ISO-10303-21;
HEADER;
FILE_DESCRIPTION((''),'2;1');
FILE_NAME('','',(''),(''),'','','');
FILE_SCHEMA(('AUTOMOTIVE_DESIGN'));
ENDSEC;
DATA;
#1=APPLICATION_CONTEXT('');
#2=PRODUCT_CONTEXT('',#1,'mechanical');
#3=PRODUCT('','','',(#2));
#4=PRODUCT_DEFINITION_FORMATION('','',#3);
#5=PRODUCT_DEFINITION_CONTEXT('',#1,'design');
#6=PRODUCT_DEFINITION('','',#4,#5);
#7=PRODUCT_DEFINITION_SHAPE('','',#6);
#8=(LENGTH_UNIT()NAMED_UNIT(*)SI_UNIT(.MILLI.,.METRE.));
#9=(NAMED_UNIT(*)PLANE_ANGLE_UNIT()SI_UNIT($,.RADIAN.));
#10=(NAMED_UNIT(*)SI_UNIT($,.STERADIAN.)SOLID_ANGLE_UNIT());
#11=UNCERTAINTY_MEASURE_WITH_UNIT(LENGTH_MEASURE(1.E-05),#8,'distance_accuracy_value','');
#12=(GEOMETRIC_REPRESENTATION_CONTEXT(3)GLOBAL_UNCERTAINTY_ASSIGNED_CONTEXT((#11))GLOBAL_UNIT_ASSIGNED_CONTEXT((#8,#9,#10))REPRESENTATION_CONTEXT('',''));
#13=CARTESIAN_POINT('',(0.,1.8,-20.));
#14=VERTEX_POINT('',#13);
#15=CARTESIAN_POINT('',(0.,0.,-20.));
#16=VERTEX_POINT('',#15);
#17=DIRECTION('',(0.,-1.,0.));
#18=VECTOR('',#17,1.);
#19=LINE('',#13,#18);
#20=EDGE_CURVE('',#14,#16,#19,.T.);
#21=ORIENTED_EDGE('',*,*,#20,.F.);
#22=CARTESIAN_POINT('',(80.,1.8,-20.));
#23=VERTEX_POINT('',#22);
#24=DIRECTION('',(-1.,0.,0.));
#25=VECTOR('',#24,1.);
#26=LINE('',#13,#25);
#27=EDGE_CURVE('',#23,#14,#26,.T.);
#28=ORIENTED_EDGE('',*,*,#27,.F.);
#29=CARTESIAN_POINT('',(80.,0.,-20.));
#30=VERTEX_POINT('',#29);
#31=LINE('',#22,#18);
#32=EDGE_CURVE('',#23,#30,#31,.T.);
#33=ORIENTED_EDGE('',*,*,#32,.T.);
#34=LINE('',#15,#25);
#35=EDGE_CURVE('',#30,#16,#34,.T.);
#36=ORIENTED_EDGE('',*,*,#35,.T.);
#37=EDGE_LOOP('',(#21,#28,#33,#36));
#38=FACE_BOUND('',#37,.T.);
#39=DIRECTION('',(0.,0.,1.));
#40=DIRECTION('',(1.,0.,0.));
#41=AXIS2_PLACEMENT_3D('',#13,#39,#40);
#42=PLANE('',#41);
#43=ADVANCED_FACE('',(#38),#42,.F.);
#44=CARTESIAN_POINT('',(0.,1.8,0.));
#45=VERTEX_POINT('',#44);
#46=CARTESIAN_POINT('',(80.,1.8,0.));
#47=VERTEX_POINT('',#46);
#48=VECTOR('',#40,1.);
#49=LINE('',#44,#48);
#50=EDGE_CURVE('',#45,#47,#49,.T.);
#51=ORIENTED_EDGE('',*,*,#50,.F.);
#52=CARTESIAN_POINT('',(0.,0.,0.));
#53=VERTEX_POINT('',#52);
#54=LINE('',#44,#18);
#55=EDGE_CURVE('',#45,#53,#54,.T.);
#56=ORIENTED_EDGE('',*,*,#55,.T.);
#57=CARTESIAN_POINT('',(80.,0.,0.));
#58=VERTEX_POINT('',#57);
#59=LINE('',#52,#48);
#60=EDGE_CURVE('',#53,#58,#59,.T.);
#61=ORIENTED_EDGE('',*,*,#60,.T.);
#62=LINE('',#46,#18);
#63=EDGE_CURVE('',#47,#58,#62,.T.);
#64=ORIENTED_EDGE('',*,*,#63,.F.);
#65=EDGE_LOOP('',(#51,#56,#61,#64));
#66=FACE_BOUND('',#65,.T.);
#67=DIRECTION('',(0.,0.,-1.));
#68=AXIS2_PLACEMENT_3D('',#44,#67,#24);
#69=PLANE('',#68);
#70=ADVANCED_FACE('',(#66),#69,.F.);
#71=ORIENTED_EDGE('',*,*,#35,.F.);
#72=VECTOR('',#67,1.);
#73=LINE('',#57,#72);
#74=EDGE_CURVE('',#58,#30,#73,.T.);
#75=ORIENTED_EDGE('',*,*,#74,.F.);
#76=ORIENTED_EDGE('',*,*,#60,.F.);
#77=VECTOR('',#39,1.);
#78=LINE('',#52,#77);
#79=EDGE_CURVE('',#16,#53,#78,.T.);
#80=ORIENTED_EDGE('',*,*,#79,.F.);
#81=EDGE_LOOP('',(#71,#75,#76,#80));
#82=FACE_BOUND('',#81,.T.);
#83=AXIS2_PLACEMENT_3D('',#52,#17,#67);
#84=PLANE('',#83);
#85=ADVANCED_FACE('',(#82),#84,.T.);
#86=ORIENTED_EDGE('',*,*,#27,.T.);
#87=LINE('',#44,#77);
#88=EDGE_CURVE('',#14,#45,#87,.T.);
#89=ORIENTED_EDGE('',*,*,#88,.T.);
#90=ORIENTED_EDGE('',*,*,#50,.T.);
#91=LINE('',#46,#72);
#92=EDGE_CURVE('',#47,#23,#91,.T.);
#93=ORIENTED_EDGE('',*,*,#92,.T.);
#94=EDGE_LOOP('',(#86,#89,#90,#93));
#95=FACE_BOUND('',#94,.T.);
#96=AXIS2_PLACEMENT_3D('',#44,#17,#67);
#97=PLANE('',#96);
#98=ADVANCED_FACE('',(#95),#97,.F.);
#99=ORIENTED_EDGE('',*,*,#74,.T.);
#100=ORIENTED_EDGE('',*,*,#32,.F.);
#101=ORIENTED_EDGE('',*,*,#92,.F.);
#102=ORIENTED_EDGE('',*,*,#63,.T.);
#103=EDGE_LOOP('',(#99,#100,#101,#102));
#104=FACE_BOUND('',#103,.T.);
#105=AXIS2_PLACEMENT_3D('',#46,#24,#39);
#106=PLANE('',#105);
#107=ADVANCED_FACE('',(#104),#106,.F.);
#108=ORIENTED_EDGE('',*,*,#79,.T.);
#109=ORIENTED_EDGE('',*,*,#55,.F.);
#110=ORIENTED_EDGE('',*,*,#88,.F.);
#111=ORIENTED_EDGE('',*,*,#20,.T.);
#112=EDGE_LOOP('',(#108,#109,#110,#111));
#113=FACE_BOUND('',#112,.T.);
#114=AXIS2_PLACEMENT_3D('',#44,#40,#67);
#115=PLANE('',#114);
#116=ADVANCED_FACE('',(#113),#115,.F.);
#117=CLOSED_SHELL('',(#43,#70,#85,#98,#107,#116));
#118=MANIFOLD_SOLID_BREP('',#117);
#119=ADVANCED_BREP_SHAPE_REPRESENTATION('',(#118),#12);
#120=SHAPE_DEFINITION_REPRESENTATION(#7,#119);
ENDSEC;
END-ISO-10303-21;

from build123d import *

# Parameters (mm, degrees)
SKETCH_1_W      = 80
SKETCH_1_H      = 20
EXTRUDE_1_DEPTH = 1.8


with BuildPart() as part:
    # 草图1 → 凸台-拉伸1 (new body)
    with BuildSketch(Plane(origin=(0, 0, 0), x_dir=(1, 0, 0), z_dir=(0, 1, 0))):
        with Locations((40, 10)):
            Rectangle(SKETCH_1_W, SKETCH_1_H)
    extrude(amount=EXTRUDE_1_DEPTH)


solid = part.part
